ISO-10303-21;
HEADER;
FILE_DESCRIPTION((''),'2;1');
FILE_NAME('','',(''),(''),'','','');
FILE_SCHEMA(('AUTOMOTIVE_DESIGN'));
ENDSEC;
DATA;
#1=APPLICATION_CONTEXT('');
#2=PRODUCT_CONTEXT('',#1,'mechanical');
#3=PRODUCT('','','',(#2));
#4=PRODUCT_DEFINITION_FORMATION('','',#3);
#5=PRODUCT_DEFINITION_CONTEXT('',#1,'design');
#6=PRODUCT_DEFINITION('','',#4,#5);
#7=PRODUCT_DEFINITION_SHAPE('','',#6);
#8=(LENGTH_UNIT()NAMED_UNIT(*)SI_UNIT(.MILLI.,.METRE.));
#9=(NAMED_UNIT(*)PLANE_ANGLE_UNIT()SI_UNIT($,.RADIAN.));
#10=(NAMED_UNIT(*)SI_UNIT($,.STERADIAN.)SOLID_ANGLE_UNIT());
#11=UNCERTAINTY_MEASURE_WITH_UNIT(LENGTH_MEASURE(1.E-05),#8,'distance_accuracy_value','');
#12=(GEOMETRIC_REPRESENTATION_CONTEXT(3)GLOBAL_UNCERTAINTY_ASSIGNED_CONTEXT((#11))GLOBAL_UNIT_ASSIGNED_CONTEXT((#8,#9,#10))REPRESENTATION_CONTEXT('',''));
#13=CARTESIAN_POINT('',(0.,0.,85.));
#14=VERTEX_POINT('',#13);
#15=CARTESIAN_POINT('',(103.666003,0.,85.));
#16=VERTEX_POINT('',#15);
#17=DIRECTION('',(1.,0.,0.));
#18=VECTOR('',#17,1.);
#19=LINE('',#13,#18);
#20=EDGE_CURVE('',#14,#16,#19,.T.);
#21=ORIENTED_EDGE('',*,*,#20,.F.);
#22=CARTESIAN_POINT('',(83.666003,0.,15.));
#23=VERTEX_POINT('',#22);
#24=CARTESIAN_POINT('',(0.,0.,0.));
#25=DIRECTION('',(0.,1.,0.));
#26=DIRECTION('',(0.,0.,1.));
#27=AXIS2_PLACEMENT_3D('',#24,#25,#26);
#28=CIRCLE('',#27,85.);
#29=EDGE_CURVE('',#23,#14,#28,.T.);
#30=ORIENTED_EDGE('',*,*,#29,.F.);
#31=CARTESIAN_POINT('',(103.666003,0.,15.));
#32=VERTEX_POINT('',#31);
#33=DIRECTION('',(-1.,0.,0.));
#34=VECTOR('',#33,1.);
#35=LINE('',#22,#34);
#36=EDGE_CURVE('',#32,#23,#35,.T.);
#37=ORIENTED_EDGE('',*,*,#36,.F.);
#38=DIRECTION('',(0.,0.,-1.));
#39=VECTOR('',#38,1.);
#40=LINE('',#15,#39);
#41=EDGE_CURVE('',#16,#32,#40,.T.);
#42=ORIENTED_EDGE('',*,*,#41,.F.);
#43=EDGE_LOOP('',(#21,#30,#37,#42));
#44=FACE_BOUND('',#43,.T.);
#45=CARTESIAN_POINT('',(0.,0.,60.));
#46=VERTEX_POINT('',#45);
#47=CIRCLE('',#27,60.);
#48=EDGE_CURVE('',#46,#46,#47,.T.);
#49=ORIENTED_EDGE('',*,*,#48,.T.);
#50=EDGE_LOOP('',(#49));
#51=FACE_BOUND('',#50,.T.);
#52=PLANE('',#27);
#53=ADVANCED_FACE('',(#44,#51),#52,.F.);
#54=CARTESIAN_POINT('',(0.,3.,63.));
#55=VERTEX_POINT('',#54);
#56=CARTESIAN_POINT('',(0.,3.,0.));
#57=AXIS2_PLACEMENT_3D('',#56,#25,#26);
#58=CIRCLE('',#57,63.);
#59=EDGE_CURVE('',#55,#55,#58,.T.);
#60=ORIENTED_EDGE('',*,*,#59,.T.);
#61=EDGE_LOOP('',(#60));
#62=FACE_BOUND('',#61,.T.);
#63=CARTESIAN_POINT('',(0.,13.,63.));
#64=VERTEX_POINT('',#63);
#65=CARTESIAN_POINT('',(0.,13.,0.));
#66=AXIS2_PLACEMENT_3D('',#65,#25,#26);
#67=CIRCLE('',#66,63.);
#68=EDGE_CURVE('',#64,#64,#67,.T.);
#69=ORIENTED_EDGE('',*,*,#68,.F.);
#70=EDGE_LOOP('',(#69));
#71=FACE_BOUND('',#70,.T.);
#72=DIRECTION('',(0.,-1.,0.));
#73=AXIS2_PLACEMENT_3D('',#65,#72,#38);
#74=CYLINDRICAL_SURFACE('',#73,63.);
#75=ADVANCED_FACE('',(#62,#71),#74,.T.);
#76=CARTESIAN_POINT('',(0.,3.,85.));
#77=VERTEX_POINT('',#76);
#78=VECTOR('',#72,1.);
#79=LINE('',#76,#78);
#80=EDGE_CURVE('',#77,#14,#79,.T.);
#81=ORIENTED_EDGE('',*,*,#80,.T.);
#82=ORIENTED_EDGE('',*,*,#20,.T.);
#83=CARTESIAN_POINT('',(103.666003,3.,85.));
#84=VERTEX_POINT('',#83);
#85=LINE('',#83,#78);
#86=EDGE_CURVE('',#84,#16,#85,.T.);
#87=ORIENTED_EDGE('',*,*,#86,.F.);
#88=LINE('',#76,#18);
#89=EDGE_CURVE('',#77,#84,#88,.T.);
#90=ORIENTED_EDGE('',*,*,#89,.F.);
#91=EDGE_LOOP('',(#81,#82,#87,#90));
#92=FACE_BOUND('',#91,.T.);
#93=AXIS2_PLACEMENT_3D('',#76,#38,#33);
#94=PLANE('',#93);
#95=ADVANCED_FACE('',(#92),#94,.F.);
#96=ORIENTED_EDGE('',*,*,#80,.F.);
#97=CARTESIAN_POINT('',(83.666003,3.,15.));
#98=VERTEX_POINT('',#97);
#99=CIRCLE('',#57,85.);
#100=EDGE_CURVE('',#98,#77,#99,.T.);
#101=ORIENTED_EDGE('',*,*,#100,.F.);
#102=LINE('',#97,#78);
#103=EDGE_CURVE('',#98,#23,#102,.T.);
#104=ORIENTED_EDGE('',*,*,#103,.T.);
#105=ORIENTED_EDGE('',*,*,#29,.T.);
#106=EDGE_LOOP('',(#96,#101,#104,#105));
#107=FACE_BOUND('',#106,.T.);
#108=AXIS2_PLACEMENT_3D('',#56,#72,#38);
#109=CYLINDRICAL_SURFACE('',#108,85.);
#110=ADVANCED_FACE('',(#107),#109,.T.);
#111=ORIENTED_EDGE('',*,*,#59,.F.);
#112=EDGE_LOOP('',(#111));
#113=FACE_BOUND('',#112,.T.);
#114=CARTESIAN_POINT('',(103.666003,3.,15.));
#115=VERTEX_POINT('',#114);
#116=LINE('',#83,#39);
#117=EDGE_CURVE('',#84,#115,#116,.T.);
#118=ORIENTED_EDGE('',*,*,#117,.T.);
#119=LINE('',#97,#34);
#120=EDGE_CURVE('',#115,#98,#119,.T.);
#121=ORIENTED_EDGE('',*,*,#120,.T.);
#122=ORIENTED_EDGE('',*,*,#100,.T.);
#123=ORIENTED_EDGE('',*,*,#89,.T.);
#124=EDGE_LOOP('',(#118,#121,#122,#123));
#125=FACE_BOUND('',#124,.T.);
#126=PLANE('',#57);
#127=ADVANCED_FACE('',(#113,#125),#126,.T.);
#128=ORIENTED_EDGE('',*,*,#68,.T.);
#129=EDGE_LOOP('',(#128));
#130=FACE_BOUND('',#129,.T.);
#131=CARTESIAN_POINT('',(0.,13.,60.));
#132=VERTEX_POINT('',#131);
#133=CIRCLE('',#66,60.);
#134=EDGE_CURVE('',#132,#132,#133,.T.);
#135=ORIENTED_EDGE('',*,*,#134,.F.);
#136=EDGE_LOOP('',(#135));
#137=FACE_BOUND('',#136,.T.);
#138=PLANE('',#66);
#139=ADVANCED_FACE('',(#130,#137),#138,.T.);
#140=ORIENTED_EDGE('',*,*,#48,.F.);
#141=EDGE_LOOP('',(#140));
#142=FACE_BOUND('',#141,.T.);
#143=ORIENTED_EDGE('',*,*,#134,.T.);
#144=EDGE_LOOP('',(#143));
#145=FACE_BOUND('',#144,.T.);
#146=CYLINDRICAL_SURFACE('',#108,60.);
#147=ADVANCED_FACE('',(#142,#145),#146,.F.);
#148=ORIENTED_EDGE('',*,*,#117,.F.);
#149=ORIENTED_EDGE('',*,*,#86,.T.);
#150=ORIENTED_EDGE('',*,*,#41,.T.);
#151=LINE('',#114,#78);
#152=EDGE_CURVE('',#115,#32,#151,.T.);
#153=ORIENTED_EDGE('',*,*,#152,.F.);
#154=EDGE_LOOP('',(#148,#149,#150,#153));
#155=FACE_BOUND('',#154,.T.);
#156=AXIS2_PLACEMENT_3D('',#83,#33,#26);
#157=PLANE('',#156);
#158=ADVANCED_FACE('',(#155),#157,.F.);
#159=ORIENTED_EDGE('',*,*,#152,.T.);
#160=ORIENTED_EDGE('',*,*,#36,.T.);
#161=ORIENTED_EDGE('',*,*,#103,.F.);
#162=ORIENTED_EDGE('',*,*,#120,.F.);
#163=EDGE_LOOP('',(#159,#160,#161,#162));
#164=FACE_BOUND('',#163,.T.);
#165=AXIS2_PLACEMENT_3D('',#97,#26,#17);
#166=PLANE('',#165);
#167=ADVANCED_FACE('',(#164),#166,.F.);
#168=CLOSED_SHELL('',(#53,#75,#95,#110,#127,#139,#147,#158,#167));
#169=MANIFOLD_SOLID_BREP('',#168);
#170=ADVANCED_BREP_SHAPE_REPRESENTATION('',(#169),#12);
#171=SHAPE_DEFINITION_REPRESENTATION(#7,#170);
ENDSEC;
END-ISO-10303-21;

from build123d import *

# Parameters (mm, degrees)
SKETCH2_R           = 60
BOSS_EXTRUDE1_DEPTH = 3
SKETCH3_R           = 63
SKETCH3_R_2         = 60
BOSS_EXTRUDE2_DEPTH = 10


with BuildPart() as part:
    # Sketch2 → Boss-Extrude1 (new body)
    with BuildSketch(Plane(origin=(0, 0, 0), x_dir=(1, 0, 0), z_dir=(0, 1, 0))):
        with BuildLine():
            Line((0, -85), (103.666002653, -85))
            Line((103.666002653, -85), (103.666002653, -15))
            Line((103.666002653, -15), (83.666002653, -15))
            ThreePointArc((83.666002653, -15), (-54.543560573, 65.192024052), (0, -85))
        make_face()
        Circle(SKETCH2_R, mode=Mode.SUBTRACT)
    extrude(amount=BOSS_EXTRUDE1_DEPTH)

    # Sketch3 → Boss-Extrude2 (add)
    with BuildSketch(Plane(origin=(0, 3, 0), x_dir=(1, 0, 0), z_dir=(0, 1, 0))):
        Circle(SKETCH3_R)
        Circle(SKETCH3_R_2, mode=Mode.SUBTRACT)
    extrude(amount=BOSS_EXTRUDE2_DEPTH)


solid = part.part
